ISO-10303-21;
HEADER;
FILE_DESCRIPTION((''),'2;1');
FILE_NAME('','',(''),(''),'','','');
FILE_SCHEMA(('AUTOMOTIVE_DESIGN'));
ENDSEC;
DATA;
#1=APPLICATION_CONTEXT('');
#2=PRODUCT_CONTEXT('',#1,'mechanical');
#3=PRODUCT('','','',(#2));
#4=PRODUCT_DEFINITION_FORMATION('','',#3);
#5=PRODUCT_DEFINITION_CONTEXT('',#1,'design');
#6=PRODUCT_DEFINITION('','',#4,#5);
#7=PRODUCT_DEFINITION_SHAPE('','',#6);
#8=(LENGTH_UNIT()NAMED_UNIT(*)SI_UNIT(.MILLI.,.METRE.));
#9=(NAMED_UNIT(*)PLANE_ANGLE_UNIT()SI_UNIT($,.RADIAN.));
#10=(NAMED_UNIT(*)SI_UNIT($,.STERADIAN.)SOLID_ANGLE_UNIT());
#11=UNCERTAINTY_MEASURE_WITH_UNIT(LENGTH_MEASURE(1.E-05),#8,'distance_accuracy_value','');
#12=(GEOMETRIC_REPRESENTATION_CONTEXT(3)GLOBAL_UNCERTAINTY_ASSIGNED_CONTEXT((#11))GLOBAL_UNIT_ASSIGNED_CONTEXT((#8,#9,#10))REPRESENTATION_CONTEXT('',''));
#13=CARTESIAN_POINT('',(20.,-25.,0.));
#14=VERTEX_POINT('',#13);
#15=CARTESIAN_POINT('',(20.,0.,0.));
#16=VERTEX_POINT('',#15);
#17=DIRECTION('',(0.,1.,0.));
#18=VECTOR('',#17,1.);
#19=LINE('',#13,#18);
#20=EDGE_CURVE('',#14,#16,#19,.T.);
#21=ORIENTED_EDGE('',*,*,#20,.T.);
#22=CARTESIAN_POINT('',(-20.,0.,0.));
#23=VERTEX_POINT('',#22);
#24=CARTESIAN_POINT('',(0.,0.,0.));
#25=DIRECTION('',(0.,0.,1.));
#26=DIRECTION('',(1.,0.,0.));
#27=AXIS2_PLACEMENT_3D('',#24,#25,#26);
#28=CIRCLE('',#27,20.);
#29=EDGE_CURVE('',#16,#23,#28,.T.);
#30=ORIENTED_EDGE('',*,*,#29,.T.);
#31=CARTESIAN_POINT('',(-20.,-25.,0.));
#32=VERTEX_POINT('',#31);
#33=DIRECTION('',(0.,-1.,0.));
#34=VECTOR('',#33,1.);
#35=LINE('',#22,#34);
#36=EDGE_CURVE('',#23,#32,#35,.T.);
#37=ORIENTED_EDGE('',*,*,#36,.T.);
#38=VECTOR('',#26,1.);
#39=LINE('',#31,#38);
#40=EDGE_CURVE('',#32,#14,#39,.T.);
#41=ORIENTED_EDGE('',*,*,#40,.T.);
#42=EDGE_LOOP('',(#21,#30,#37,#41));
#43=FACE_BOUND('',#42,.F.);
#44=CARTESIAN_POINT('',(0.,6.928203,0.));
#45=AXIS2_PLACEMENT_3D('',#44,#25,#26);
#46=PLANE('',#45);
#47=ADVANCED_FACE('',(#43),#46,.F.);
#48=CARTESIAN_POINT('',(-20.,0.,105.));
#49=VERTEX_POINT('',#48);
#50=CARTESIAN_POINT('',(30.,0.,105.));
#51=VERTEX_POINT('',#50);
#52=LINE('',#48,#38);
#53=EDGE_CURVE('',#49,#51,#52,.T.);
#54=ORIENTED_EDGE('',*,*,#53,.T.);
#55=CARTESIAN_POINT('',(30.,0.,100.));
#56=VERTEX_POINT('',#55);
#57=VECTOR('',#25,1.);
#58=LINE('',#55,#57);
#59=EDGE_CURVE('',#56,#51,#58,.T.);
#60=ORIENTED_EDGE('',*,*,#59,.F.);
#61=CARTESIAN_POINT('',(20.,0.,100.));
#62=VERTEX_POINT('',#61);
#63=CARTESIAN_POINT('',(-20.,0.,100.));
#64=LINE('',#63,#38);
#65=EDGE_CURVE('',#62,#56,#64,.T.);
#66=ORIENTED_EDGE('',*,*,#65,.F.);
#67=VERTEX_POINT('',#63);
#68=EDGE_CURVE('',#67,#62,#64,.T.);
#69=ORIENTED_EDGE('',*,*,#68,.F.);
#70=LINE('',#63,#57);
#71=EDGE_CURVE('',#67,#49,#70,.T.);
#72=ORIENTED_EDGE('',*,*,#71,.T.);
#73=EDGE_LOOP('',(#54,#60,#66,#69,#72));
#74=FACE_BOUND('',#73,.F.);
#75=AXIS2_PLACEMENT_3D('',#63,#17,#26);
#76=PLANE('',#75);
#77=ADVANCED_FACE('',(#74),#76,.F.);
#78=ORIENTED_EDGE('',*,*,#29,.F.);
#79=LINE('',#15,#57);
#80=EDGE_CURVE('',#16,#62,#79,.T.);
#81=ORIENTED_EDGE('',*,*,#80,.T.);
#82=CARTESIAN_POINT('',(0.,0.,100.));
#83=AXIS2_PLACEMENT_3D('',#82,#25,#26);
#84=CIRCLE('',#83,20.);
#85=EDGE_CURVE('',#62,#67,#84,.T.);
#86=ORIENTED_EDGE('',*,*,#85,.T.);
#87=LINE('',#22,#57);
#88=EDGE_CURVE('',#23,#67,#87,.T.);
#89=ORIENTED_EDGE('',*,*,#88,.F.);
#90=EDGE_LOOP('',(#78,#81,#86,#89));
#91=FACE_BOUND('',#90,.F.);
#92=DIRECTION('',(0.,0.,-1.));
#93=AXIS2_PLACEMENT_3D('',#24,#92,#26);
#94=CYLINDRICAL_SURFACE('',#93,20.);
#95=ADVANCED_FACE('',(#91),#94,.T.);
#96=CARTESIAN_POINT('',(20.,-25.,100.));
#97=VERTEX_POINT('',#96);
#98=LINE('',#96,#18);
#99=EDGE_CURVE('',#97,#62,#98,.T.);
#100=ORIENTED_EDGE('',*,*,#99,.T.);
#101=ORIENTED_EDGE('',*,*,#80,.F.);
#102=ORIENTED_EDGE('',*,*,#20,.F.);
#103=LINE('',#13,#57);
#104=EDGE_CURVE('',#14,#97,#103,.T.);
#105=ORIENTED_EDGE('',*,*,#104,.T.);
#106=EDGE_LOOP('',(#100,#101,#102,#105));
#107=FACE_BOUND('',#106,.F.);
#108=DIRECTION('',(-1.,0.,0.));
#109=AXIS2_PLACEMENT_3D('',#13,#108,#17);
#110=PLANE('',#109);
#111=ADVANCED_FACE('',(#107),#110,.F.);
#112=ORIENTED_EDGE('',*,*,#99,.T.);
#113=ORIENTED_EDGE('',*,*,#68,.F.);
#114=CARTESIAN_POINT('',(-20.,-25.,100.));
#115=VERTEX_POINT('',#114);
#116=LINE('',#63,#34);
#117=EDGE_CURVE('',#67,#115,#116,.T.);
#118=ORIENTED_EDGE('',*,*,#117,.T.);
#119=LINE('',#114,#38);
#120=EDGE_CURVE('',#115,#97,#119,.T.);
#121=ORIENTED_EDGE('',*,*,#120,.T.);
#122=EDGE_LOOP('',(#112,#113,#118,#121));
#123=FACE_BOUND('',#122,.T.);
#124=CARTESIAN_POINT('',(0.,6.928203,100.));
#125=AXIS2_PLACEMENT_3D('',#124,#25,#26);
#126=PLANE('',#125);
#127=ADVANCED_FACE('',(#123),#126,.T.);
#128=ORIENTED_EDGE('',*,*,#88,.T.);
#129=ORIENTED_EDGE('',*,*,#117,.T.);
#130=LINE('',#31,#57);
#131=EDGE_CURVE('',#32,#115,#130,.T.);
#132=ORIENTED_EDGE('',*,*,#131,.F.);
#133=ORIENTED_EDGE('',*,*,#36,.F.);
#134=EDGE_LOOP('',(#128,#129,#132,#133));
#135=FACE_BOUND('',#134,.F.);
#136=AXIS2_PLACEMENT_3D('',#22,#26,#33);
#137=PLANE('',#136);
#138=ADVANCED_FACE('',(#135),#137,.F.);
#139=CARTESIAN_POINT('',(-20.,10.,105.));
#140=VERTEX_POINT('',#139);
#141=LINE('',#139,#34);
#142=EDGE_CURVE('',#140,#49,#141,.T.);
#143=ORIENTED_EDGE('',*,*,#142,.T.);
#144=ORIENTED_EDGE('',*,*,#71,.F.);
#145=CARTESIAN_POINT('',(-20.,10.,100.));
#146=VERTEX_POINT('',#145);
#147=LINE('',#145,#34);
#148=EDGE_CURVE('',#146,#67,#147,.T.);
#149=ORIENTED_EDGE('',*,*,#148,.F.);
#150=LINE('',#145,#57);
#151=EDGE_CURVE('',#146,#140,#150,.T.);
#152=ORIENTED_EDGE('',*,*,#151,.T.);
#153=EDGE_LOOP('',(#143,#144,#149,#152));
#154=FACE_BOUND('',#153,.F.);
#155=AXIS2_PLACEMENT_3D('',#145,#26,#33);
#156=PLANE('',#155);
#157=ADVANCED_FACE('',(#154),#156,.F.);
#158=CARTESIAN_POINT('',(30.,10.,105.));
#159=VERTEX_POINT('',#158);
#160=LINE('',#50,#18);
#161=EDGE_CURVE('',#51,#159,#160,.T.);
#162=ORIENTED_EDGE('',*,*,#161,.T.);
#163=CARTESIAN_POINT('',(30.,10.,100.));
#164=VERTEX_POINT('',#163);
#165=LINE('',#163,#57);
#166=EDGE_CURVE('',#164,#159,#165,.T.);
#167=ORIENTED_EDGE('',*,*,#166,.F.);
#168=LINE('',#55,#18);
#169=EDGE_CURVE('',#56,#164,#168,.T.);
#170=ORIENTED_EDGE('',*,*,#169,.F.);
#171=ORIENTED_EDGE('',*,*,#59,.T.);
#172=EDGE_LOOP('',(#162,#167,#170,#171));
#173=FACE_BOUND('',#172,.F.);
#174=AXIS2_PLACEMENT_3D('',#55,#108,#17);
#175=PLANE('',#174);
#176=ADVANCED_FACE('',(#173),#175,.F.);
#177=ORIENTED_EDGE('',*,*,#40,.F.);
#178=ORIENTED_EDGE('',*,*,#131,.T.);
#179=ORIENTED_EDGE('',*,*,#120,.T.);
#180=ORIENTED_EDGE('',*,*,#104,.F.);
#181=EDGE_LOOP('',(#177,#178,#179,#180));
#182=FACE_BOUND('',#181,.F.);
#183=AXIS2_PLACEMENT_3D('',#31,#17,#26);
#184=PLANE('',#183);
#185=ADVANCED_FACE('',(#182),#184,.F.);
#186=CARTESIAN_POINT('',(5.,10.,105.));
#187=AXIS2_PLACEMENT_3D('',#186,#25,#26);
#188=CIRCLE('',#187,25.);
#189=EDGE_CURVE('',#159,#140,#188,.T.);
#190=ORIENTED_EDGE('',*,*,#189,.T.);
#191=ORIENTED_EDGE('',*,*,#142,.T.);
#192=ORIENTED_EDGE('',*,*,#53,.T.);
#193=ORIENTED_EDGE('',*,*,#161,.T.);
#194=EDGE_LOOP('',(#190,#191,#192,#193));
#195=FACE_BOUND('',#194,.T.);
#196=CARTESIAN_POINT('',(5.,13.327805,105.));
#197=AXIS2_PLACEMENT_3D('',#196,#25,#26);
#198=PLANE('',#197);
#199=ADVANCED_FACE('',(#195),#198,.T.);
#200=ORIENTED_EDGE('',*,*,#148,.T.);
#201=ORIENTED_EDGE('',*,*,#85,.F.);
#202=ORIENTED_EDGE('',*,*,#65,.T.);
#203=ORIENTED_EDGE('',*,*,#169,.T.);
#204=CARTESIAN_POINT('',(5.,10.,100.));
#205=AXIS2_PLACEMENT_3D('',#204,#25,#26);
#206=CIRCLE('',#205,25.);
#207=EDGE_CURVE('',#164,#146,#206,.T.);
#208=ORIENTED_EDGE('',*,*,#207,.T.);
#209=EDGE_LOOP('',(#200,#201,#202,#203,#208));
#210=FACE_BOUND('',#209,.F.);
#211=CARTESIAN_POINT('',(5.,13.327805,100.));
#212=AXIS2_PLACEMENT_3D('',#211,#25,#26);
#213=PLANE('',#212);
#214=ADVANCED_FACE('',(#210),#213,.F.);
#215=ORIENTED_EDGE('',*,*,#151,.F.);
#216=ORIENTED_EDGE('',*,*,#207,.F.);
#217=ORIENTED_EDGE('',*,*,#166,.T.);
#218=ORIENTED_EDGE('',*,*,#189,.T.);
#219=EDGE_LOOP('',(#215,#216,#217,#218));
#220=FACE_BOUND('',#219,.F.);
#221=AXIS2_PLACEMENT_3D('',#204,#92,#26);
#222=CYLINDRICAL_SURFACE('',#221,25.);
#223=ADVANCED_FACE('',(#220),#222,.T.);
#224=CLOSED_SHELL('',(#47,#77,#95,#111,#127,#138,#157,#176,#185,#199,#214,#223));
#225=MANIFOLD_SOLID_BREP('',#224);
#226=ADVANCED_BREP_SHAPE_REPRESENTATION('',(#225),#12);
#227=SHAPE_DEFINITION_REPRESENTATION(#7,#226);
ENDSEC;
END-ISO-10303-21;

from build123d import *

# Parameters (mm, degrees)
F1_DEPTH = 100
F3_DEPTH = 5


with BuildPart() as f1:
    # F0 (on Top) → F1 (new body)
    with BuildSketch(Plane.XY):
        with BuildLine():
            Line((-20, 0), (20, 0))
            ThreePointArc((20, 0), (0, 20), (-20, 0))
        make_face()
        with BuildLine():
            Line((20, -25), (20, 0))
            ThreePointArc((20, 0), (0, -20), (-20, 0))
            Line((-20, 0), (-20, -25))
            Line((-20, -25), (20, -25))
        make_face()
        with BuildLine():
            ThreePointArc((-20, 0), (0, -20), (20, 0))
            Line((20, 0), (-20, 0))
        make_face()
    extrude(amount=F1_DEPTH)

    # F2 (on face) → F3 (join)
    with BuildSketch(Plane.XY.offset(100)):
        with BuildLine():
            Line((-20, 10), (-20, 0))
            Line((-20, 0), (30, 0))
            Line((30, 0), (30, 10))
            ThreePointArc((30, 10), (5, 35), (-20, 10))
        make_face()
    extrude(amount=F3_DEPTH)


solid = f1.part
